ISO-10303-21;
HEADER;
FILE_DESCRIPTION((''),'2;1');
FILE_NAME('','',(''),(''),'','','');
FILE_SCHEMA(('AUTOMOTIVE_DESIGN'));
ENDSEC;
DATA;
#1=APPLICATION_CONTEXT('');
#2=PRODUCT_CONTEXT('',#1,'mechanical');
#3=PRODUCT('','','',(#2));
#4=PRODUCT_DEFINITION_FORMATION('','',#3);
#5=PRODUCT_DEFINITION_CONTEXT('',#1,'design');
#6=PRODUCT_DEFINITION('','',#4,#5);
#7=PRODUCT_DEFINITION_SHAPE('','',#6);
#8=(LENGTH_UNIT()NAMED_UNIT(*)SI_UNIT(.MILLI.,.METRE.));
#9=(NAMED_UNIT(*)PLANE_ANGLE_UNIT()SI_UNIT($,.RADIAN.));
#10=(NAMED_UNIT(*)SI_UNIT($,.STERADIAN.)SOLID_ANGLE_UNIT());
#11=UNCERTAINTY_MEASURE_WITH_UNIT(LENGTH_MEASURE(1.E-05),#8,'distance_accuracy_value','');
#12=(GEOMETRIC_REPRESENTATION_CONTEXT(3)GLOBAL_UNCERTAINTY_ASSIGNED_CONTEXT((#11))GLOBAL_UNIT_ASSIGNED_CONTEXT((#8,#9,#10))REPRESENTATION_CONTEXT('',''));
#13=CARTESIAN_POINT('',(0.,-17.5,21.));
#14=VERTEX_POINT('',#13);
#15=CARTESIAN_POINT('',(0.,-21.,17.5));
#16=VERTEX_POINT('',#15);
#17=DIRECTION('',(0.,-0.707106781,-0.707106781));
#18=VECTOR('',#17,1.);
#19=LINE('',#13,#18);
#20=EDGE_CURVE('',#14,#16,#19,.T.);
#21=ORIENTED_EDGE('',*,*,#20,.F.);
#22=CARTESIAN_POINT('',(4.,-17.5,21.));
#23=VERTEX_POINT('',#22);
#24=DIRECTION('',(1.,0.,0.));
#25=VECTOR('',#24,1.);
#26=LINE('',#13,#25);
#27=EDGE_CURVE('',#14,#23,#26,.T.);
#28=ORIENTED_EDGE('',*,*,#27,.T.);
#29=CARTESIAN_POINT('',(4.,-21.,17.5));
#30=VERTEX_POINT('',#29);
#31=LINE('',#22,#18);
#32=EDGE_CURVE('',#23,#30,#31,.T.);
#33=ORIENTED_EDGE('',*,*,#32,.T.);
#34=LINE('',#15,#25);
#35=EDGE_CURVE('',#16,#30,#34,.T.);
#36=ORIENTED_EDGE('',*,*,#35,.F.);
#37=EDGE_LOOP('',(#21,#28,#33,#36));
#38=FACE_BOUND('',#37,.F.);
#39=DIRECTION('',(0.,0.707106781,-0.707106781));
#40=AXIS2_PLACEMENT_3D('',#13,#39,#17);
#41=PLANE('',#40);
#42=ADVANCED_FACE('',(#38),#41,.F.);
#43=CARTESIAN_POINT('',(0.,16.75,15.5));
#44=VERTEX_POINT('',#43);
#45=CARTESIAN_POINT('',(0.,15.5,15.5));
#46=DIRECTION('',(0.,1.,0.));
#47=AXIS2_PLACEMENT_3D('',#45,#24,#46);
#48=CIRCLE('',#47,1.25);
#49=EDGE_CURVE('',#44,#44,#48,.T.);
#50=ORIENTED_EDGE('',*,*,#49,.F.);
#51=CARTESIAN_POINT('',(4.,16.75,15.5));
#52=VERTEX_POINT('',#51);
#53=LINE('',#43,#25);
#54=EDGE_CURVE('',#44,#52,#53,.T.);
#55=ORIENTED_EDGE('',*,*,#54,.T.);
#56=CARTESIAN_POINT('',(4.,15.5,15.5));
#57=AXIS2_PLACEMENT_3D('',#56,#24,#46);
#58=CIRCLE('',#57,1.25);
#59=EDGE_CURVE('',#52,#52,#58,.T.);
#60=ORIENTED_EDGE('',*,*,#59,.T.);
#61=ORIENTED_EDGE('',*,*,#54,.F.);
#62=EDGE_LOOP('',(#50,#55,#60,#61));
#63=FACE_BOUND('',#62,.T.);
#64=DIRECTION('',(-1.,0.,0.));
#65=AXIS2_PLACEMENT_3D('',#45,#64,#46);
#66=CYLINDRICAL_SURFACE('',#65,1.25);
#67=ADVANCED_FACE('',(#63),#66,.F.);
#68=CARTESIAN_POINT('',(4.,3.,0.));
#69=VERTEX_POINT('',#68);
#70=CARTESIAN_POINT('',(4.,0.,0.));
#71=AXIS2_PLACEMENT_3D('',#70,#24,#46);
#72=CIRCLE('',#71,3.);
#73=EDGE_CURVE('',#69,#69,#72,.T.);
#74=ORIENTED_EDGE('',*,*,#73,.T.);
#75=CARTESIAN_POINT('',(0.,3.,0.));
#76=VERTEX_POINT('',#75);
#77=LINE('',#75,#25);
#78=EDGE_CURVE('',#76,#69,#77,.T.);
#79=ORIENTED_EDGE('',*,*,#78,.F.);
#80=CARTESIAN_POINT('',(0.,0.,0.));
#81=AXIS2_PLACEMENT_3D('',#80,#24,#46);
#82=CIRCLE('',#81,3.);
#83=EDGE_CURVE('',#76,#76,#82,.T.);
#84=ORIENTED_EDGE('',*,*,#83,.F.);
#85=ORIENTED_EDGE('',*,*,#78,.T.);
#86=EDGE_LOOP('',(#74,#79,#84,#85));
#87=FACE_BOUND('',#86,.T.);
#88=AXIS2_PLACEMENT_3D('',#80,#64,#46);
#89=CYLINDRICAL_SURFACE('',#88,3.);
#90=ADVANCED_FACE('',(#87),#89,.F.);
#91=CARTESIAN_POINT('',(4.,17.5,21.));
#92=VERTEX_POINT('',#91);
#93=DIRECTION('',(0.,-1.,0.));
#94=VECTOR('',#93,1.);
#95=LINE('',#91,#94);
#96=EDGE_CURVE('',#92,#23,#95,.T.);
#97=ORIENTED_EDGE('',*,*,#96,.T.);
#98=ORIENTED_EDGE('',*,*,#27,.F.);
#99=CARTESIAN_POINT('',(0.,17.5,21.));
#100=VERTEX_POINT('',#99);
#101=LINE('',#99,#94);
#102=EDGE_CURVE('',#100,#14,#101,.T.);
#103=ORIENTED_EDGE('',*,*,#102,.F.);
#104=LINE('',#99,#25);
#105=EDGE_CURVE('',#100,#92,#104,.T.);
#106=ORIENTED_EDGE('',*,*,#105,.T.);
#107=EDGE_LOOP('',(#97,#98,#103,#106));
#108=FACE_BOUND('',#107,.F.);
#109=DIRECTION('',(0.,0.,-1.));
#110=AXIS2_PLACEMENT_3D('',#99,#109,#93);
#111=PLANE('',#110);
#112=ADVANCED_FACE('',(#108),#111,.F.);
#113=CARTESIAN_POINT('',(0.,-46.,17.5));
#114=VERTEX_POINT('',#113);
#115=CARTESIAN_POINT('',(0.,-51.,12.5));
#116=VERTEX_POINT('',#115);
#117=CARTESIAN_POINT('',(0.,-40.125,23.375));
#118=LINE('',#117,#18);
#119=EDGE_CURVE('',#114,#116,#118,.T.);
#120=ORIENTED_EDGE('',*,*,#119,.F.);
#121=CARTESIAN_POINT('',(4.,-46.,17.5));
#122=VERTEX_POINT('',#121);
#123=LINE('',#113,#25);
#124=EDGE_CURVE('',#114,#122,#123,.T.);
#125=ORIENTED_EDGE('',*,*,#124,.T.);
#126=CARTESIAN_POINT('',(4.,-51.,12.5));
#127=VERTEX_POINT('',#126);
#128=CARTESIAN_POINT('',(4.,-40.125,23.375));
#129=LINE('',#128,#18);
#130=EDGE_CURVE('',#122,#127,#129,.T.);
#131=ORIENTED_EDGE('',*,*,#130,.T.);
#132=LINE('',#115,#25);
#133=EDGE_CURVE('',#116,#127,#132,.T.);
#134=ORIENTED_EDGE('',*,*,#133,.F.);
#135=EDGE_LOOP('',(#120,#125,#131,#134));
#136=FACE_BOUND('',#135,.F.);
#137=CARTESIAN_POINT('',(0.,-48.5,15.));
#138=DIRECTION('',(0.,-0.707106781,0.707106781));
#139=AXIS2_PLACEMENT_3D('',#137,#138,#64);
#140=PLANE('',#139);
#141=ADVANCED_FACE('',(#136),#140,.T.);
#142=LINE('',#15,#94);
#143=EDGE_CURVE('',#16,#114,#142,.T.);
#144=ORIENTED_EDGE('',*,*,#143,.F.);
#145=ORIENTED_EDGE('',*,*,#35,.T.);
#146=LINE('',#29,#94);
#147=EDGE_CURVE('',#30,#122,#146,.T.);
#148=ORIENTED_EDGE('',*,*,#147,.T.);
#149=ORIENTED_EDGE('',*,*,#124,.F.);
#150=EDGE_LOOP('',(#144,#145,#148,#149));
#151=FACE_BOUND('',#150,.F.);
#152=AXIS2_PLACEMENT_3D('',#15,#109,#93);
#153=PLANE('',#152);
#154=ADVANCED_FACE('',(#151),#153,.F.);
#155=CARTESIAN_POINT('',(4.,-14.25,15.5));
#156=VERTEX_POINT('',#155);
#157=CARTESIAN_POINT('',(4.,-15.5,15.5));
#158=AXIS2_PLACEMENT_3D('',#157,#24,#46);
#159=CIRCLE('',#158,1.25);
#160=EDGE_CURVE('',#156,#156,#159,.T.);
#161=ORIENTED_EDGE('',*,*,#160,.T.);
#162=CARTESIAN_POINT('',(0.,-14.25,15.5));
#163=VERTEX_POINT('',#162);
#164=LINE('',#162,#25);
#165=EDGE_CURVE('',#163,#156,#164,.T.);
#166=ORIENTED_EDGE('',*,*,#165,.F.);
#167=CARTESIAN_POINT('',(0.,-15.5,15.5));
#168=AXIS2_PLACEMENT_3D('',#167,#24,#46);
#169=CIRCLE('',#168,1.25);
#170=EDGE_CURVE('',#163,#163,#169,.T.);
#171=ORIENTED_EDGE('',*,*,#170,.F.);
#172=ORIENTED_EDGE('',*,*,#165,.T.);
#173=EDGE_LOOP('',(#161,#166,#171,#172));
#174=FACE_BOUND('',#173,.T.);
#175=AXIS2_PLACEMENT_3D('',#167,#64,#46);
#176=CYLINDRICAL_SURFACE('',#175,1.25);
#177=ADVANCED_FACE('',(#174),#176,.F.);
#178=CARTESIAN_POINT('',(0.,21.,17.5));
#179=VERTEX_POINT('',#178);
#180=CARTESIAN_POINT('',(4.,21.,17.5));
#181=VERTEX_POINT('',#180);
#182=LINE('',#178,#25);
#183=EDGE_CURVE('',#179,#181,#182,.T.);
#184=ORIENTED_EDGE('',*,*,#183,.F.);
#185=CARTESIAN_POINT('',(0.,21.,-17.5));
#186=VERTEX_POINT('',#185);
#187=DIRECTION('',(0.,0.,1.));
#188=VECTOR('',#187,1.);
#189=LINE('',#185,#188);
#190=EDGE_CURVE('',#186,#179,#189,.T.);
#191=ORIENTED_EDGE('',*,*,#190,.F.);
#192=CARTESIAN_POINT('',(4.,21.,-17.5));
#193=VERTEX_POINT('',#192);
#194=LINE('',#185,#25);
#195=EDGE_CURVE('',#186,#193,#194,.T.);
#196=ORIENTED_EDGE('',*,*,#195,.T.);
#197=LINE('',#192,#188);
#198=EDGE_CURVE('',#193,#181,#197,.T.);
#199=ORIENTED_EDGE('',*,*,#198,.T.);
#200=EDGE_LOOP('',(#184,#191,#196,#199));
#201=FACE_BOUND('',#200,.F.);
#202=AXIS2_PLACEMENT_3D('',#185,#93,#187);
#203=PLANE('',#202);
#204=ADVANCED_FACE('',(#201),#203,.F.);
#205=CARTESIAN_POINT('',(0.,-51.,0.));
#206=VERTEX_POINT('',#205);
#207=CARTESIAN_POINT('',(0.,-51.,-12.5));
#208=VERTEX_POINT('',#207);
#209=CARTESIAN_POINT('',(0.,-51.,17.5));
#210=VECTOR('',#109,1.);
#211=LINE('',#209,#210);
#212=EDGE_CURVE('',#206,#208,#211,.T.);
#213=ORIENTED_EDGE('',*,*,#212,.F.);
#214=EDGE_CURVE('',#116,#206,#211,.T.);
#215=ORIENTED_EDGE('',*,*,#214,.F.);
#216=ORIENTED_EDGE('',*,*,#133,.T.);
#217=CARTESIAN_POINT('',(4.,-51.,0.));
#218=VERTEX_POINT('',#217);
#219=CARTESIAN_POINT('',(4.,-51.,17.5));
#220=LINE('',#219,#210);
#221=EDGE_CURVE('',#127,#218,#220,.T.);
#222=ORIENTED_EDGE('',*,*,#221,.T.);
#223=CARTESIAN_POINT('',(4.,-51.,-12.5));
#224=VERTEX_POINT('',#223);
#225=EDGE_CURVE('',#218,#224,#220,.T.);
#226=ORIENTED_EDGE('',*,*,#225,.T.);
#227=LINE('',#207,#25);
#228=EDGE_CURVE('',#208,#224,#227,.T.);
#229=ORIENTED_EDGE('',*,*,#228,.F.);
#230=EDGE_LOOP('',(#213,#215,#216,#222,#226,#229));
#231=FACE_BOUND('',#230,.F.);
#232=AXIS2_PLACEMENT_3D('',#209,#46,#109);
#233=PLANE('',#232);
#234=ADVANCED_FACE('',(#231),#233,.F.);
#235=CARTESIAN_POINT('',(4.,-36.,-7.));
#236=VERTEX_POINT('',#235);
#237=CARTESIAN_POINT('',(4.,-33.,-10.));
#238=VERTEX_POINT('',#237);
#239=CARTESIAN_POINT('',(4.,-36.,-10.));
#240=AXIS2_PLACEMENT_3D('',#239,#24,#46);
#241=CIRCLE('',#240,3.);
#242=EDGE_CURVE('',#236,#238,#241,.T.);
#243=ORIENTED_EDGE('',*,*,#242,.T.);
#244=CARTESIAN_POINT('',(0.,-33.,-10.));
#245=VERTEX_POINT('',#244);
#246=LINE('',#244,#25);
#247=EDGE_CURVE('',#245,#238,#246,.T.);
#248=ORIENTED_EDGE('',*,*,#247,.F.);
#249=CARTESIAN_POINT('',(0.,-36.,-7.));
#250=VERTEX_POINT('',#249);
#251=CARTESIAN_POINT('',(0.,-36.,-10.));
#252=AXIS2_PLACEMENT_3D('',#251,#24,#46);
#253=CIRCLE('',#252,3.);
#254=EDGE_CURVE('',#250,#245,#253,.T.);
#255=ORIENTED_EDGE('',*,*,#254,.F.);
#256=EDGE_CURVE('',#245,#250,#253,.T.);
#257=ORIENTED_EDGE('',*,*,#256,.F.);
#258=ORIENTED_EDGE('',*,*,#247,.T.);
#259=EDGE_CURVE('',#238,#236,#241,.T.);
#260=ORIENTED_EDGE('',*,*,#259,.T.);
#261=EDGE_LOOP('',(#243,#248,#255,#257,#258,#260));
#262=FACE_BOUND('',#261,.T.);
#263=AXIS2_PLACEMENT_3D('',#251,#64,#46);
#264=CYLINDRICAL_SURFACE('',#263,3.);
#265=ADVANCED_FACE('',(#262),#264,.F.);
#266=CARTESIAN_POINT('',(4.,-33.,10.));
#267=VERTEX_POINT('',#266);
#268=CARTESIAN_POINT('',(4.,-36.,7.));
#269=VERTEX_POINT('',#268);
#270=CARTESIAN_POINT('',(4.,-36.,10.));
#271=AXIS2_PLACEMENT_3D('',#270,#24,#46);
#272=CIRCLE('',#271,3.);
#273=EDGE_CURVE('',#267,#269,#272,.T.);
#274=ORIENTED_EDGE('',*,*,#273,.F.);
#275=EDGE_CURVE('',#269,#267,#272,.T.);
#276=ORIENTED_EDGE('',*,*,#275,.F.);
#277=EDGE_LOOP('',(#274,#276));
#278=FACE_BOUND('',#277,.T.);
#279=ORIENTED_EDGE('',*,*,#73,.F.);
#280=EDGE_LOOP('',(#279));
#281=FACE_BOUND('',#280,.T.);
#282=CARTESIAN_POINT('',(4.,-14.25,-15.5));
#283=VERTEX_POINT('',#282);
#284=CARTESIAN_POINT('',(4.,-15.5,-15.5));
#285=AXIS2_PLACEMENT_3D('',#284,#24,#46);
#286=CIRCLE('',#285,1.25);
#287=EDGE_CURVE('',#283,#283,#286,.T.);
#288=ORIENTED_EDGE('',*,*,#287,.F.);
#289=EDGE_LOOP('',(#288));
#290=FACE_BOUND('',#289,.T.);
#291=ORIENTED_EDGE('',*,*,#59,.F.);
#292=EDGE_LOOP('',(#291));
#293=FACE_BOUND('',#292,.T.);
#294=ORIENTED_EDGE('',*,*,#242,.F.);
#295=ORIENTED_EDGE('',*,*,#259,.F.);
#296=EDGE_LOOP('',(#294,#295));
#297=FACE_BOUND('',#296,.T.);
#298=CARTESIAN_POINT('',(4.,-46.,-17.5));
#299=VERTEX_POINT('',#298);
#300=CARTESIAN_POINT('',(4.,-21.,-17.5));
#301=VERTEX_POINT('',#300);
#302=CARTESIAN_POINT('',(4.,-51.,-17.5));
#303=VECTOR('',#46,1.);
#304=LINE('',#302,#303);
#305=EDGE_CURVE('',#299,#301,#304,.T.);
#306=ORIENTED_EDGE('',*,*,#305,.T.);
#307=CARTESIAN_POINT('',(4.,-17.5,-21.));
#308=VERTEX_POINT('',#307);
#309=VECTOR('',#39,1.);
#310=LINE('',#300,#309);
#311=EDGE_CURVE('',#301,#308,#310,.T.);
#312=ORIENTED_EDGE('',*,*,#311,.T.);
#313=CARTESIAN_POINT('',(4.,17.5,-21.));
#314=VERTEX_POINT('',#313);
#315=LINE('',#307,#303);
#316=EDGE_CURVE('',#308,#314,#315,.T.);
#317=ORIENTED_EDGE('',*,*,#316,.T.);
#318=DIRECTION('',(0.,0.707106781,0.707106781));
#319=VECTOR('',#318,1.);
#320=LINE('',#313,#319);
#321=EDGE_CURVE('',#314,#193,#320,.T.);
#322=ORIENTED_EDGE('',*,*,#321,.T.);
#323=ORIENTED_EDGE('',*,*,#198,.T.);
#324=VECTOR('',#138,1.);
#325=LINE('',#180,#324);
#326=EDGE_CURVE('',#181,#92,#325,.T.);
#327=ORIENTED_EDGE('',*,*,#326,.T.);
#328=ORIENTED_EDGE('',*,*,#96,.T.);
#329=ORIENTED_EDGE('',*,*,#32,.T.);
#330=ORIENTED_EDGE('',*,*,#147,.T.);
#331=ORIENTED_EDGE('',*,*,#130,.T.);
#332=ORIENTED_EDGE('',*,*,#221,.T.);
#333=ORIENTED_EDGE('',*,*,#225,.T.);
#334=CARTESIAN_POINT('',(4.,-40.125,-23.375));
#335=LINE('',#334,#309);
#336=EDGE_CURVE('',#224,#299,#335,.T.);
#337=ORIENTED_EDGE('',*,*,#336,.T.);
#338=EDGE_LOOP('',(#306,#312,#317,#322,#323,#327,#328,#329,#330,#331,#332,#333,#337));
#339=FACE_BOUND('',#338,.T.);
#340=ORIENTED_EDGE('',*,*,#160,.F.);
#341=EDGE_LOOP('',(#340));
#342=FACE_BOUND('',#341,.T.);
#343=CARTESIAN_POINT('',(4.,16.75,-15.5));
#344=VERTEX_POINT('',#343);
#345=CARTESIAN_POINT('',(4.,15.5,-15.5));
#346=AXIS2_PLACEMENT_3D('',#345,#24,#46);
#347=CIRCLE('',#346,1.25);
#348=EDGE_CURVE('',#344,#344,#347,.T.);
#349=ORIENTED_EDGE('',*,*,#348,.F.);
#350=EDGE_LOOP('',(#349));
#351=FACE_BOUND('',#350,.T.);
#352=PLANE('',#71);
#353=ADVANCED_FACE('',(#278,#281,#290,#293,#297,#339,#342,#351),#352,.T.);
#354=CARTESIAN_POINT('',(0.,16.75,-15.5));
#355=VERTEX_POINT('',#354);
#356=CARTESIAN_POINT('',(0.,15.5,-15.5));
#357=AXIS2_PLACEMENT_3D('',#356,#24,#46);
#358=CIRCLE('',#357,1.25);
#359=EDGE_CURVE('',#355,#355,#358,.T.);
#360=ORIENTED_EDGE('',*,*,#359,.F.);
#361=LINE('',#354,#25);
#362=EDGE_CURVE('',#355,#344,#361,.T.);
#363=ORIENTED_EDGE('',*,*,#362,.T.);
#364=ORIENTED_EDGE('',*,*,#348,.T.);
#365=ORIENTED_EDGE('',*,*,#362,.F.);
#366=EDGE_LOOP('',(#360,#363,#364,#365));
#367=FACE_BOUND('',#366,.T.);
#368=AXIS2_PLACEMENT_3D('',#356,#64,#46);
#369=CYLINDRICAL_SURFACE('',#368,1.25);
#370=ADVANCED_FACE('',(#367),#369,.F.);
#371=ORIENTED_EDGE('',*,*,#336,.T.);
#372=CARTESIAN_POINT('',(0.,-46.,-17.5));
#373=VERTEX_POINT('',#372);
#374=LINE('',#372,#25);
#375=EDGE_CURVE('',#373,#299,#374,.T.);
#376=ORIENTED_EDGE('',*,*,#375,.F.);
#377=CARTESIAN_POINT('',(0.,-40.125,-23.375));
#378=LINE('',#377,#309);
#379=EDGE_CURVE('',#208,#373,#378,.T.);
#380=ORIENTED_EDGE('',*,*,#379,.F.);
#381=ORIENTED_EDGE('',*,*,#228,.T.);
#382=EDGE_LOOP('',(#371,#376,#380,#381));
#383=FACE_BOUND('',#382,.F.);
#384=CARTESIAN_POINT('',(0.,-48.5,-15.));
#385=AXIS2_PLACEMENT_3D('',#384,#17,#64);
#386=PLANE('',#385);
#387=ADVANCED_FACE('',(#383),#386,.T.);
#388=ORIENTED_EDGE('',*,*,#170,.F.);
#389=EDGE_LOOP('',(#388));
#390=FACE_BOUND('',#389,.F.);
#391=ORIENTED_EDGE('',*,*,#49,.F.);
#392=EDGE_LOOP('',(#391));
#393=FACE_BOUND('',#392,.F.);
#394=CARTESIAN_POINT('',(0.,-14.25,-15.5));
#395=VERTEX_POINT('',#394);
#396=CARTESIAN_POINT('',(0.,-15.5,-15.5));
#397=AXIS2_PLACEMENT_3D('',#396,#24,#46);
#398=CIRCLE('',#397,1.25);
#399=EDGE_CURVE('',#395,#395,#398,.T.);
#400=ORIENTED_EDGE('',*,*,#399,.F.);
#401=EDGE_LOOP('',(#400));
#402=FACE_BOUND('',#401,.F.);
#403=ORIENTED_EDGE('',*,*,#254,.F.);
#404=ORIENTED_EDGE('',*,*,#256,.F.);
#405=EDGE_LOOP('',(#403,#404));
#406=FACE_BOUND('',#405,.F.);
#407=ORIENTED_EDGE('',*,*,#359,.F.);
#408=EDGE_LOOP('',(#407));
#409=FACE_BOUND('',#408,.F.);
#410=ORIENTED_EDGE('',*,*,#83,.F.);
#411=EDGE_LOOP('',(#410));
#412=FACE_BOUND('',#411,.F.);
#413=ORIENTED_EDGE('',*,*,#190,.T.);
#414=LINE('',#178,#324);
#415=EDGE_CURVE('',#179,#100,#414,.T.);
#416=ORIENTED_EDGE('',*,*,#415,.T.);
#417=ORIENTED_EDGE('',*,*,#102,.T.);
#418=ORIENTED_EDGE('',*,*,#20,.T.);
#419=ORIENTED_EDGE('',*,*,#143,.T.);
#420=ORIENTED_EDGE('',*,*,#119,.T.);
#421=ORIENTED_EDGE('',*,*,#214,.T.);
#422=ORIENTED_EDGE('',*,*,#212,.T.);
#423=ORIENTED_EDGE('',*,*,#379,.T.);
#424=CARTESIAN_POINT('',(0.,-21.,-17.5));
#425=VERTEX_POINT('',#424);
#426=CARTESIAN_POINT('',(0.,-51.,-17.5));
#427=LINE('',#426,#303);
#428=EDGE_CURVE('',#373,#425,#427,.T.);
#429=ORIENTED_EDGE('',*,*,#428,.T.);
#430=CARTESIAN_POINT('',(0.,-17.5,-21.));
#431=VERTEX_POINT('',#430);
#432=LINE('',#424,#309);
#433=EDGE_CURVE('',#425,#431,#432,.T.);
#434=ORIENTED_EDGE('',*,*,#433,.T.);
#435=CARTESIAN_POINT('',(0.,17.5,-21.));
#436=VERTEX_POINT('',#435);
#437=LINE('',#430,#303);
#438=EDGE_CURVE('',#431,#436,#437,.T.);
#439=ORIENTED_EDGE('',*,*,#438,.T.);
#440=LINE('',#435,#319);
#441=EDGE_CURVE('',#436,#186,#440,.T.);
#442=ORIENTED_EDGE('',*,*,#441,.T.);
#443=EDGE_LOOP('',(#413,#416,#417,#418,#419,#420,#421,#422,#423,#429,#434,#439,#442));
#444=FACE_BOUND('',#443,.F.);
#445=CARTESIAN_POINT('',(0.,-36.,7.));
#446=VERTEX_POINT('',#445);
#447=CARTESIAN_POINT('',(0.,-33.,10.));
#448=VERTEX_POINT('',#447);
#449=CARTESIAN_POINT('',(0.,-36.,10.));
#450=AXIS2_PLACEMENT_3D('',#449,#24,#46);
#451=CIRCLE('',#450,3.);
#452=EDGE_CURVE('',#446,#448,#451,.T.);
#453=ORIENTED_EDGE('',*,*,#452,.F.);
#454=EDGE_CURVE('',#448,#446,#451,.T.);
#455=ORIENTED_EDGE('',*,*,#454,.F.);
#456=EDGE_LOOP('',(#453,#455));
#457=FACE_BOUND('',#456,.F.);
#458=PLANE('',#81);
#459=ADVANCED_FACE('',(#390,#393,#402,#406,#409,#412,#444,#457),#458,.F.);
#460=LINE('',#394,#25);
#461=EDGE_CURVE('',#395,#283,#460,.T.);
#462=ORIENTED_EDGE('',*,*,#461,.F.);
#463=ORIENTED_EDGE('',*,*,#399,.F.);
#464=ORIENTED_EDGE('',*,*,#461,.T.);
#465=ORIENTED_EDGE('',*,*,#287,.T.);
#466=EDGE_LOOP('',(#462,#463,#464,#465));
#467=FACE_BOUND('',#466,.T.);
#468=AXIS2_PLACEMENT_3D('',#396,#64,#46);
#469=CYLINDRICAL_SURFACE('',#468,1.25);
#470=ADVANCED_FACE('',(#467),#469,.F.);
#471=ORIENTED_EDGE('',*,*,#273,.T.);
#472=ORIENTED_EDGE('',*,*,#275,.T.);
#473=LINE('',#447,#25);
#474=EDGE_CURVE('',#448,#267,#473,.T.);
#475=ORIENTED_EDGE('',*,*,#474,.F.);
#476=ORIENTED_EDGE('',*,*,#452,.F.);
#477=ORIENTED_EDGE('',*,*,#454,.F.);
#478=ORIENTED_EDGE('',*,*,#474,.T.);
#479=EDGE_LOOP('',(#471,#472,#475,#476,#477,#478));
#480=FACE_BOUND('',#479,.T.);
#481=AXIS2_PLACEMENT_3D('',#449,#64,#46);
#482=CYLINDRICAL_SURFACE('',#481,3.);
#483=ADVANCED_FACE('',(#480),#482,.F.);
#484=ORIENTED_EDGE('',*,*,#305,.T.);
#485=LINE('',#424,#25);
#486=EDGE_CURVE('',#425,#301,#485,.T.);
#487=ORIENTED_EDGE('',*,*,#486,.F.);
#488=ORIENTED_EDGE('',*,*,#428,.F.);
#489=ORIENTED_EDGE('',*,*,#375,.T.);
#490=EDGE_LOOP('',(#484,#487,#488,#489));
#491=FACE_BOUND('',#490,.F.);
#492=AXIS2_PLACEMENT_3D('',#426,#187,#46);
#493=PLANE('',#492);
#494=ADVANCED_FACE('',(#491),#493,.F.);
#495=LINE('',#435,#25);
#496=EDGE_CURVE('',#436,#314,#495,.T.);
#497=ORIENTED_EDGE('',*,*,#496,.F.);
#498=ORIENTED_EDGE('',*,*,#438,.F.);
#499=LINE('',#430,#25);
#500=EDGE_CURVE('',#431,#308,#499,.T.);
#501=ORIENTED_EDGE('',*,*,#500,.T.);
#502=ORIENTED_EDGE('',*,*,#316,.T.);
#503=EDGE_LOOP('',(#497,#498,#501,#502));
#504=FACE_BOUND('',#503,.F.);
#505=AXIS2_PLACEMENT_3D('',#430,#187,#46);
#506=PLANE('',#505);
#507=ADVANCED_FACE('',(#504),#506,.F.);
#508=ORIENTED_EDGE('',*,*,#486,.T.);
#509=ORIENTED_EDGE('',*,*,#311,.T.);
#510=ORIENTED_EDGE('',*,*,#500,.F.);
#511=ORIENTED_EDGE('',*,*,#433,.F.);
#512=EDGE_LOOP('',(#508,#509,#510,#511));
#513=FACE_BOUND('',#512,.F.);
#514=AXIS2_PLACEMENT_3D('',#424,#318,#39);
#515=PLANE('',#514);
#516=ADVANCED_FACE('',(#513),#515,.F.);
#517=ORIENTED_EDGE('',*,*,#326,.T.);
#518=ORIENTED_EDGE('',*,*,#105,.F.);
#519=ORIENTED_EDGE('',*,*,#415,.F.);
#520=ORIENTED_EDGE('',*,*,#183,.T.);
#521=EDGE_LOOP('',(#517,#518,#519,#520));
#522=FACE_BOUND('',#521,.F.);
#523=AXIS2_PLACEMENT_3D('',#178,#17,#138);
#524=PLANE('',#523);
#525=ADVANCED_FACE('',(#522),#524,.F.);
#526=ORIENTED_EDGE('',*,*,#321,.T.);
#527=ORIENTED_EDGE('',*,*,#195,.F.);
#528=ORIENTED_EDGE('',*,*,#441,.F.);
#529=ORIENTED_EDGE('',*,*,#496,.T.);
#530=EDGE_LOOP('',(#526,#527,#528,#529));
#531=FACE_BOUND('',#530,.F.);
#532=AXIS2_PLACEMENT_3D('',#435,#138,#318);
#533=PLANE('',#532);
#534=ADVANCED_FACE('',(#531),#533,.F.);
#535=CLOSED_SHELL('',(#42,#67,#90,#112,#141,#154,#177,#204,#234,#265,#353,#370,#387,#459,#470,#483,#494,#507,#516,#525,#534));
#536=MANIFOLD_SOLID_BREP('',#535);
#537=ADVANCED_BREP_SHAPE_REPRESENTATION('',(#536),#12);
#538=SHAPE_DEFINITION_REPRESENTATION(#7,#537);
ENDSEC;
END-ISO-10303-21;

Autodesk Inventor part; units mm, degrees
ref_plane "YZ Plane" through (0, 0, 0) normal (1, 0, 0) x (0, 1, 0)
ref_plane "XZ Plane" through (0, 0, 0) normal (0, 1, 0) x (-1, 0, 0)
ref_plane "XY Plane" through (0, 0, 0) normal (0, 0, 1) x (1, 0, 0)
sketch "Эскиз1" plane through (0, 0, 0) normal (1, 0, 0) x (0, 1, 0)
  line L0 (-17.5, 21) -> (-21, 17.5)
  line L1 (-21, 17.5) -> (-21, -17.5)
  line L2 (-21, -17.5) -> (-17.5, -21)
  line L3 (-17.5, -21) -> (17.5, -21)
  line L4 (17.5, -21) -> (21, -17.5)
  line L5 (21, -17.5) -> (21, 17.5)
  line L6 (21, 17.5) -> (17.5, 21)
  line L7 (17.5, 21) -> (-17.5, 21)
  circle A0 centre (0, 0) radius 11.3
  circle A1 centre (-15.5, -15.5) radius 1.25
  circle A2 centre (15.5, -15.5) radius 1.25
  circle A3 centre (15.5, 15.5) radius 1.25
  circle A4 centre (-15.5, 15.5) radius 1.25
  line L8 (-21, 17.5) -> (-51, 17.5)
  line L9 (-51, 17.5) -> (-51, -17.5)
  line L10 (-51, -17.5) -> (-21, -17.5)
  line L11 (-21, -17.5) -> (-21, 17.5)
  line L12 (-51, 0) -> (-36, 0)
  line L13 (-36, 0) -> (-36, 10)
  line L14 (-36, 10) -> (-36, -10)
  circle A5 centre (-36, 10) radius 3
  circle A6 centre (-36, -10) radius 3
  circle A7 centre (0, 0) radius 3
  dimension "d0" = 30
  dimension "d1" = 15
  dimension "d2" = 10
  dimension "d3" = 20
  dimension "d4" = 6
  dimension "d5" = 6
  dimension "d6" = 6
extrude "Выдавливание1" add sketch "Эскиз1" along normal blind 4 contours L7 L6 L5 L4 L3 L2 L1 L0 | L1 L10 L9 L8 | A0
chamfer "Фаска1" distance 5 angle 45 2 edges at (2, -51, 17.5) (2, -51, -17.5)
properties part number "КВ33.044.002 - Держатель катка" material "Пластик АБС"
